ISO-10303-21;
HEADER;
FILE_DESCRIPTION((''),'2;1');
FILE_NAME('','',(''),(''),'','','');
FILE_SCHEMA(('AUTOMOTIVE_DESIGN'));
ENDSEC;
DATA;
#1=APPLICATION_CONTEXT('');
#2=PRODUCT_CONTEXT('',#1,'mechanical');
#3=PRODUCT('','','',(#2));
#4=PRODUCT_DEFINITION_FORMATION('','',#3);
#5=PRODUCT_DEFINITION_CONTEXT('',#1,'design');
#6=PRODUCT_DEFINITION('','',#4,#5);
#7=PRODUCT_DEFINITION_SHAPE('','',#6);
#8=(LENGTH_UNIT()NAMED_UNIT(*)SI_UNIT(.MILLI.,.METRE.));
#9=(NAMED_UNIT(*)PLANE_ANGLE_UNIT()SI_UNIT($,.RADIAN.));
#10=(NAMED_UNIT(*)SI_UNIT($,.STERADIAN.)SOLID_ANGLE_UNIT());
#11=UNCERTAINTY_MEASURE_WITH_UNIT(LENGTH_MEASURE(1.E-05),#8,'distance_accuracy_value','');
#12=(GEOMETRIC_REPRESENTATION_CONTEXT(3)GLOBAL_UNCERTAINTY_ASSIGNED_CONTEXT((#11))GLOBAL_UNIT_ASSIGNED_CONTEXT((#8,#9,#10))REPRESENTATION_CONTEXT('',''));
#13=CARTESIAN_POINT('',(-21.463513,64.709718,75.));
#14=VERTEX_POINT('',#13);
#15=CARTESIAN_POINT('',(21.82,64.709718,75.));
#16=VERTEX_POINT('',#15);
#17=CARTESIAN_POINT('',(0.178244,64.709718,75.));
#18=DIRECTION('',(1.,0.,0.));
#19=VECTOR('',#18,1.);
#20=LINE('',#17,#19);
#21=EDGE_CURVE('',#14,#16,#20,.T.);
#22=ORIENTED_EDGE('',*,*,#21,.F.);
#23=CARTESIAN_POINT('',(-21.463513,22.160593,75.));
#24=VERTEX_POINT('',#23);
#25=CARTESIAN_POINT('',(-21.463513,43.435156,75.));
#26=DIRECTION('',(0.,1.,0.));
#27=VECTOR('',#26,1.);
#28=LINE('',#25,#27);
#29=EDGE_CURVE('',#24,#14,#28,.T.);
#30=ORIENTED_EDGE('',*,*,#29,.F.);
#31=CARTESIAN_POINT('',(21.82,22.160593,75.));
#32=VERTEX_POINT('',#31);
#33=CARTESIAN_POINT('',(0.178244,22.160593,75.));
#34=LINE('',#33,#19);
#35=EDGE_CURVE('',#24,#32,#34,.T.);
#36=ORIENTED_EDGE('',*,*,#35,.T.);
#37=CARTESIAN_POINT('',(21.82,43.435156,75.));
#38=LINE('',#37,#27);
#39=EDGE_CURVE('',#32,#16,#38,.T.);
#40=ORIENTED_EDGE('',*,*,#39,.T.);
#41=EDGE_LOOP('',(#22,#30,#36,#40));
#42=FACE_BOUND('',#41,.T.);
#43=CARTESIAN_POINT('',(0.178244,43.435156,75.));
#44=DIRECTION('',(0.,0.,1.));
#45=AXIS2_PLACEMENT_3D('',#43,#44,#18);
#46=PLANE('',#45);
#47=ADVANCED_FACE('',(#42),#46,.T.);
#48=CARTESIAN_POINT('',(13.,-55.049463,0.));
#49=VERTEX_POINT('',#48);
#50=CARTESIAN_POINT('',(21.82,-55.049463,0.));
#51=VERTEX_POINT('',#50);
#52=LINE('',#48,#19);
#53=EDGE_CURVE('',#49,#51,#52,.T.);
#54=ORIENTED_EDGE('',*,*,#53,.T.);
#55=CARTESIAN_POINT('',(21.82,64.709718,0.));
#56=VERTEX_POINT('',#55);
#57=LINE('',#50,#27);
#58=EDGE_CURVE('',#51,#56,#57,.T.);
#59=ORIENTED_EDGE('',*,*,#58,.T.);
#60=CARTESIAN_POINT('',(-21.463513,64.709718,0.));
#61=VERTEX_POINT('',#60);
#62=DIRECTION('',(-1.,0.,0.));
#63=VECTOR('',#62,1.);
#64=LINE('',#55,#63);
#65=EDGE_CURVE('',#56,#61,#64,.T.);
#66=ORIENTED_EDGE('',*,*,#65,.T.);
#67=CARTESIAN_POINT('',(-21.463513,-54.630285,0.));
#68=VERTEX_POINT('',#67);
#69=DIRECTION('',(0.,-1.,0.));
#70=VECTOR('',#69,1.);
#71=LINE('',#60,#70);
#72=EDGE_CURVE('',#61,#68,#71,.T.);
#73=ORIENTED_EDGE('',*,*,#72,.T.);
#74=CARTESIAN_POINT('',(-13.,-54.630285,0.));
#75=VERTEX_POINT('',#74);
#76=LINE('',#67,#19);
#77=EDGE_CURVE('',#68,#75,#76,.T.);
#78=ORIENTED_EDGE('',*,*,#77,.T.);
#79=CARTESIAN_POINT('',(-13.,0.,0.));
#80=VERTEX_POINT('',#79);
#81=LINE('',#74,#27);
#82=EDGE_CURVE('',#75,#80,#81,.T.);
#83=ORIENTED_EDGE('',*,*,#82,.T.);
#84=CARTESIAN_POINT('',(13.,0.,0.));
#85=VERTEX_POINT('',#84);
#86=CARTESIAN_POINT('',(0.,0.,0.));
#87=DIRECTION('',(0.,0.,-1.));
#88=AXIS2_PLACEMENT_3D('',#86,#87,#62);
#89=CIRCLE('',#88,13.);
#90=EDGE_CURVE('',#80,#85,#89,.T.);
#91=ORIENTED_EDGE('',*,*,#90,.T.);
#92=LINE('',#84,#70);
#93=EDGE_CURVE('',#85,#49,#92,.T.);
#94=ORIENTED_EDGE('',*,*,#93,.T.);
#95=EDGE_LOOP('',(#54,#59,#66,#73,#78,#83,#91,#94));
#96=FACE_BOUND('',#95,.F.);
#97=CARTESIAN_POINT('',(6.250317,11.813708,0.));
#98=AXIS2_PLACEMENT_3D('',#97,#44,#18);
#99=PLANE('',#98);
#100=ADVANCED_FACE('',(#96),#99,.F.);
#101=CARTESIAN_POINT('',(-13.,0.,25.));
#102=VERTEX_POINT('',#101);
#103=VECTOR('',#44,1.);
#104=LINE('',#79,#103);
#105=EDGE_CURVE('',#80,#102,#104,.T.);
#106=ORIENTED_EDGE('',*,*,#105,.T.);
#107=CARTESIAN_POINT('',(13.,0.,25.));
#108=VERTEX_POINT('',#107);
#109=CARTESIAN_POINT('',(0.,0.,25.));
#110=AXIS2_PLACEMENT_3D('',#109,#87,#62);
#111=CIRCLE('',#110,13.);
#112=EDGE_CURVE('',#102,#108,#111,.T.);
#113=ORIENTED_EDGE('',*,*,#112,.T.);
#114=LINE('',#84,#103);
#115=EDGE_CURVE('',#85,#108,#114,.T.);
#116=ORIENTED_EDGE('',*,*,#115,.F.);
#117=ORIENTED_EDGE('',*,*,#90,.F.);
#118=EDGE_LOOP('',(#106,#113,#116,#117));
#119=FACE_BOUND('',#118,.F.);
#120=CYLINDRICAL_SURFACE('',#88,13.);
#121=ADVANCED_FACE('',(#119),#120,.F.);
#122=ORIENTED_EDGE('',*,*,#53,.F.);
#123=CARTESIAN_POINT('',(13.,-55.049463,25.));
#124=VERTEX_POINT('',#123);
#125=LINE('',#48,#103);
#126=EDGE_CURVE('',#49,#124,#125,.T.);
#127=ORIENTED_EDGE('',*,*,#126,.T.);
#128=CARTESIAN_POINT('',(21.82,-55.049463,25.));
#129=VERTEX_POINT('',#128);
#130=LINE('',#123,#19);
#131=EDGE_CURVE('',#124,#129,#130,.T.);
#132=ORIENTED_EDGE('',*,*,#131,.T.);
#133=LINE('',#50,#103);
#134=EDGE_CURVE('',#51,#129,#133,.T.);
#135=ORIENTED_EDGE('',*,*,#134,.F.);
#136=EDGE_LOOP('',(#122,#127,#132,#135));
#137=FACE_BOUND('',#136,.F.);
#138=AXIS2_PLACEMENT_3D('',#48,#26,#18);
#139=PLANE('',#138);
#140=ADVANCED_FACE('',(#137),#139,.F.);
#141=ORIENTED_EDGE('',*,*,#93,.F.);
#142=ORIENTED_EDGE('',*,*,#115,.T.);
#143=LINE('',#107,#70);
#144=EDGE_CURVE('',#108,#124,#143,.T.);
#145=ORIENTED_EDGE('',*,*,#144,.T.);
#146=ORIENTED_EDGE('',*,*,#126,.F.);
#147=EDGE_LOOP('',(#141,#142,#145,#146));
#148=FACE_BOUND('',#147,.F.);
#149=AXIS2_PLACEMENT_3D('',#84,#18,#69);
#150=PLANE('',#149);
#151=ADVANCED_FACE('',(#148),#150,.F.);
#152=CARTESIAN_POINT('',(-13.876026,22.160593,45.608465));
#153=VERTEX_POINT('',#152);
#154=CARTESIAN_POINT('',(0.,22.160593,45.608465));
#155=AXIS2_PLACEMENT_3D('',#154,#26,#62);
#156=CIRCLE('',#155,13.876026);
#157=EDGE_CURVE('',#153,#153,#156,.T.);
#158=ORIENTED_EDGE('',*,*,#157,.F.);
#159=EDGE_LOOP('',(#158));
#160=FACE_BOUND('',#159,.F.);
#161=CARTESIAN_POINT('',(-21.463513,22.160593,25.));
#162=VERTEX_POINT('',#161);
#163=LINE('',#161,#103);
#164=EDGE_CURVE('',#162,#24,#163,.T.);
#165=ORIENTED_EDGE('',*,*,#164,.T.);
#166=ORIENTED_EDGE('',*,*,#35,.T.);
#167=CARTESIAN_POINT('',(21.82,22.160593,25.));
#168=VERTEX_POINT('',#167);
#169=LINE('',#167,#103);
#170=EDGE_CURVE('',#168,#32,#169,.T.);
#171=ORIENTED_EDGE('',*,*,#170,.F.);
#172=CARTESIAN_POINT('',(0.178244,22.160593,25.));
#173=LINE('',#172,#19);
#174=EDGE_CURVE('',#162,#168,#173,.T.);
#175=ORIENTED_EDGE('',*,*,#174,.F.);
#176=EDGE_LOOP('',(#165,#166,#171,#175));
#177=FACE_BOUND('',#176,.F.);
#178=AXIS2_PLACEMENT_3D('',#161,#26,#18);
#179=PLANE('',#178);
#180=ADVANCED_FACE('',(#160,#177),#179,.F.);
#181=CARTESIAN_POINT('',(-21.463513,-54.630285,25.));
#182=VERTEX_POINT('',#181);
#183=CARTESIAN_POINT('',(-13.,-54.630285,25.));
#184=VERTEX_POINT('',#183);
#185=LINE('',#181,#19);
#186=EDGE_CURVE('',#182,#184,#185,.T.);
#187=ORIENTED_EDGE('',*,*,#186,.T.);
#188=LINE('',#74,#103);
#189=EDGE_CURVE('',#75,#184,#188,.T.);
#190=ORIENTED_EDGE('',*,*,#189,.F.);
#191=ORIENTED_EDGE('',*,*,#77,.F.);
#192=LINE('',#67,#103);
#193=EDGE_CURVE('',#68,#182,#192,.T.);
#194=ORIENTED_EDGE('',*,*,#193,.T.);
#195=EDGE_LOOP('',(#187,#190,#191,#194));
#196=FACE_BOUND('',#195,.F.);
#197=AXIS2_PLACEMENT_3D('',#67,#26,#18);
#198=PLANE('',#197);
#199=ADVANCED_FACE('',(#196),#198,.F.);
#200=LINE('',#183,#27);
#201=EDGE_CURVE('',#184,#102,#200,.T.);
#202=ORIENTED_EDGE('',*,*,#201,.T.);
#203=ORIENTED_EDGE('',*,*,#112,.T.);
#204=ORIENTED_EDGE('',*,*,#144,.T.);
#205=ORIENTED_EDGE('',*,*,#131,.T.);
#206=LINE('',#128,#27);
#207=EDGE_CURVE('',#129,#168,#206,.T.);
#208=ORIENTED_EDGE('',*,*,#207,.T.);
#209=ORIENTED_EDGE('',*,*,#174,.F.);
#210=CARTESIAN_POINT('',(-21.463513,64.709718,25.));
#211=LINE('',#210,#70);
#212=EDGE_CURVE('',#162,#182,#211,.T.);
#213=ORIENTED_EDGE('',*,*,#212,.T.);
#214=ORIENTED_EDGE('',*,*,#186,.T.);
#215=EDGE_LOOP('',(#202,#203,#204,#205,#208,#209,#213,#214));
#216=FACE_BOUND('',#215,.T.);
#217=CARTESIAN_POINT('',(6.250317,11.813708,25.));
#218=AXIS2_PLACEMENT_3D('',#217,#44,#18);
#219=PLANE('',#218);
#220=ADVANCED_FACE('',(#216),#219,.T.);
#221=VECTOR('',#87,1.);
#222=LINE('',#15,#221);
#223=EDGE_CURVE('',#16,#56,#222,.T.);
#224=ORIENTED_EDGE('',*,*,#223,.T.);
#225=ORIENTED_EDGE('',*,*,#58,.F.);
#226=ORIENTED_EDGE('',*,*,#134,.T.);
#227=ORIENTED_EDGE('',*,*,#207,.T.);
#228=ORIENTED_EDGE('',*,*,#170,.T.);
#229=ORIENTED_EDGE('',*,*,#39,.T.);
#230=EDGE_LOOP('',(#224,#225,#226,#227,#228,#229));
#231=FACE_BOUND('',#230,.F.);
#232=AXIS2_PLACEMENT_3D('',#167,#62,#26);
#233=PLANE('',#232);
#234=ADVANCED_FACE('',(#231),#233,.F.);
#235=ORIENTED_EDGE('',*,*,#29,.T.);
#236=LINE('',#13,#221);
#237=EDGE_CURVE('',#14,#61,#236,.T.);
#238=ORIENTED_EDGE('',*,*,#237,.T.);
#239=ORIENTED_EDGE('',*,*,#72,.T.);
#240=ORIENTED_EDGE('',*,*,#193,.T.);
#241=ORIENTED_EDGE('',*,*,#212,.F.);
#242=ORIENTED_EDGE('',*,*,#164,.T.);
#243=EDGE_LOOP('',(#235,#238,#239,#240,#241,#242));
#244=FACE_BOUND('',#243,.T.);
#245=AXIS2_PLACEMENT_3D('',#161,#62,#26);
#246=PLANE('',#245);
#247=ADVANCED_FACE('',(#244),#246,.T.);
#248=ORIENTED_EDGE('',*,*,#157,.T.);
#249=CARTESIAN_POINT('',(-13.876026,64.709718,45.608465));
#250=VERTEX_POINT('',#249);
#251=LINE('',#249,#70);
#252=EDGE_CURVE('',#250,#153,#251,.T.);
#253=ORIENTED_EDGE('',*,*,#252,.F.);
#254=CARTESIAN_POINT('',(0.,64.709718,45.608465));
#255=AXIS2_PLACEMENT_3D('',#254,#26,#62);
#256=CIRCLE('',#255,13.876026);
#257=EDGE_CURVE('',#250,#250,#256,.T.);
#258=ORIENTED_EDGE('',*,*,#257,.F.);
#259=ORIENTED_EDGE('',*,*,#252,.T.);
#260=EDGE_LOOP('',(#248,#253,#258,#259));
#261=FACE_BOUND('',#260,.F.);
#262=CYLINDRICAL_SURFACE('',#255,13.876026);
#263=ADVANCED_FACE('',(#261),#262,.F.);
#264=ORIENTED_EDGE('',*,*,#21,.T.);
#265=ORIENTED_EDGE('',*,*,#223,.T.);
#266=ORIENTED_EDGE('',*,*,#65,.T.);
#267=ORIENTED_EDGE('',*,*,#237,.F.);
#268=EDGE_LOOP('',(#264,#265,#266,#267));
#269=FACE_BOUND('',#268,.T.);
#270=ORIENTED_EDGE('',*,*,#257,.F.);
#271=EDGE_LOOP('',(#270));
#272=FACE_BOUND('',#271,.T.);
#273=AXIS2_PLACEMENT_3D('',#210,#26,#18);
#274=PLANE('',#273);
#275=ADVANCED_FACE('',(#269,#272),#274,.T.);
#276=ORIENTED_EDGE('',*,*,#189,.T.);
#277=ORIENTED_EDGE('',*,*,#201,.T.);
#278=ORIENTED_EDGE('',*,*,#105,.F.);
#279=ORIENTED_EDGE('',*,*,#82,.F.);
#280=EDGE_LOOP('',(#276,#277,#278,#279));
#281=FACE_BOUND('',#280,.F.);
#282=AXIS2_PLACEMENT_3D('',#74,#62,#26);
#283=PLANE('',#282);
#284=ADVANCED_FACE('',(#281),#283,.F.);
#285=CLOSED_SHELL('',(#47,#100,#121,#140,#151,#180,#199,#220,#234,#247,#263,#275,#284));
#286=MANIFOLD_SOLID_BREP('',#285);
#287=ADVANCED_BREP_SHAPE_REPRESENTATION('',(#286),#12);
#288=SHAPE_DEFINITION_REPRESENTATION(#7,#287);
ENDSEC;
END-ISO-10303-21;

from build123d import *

# Parameters (mm, degrees)
F1_DEPTH = 25
F2_W     = 43.2835130529
F2_H     = 42.5491245473
F3_DEPTH = 50
F4_R     = 13.8760258661
F5_DEPTH = 119.7601809589


with BuildPart() as f1:
    # F0 (on Top) → F1 (new body)
    with BuildSketch(Plane.XY):
        with BuildLine():
            ThreePointArc((21.4635129483, 0), (19.2315893312, -9.5303913811), (13, -17.0787115463))
            Line((13, -17.0787115463), (13, -55.0494629913))
            Line((13, -55.0494629913), (21.8200001046, -55.0494629913))
            Line((21.8200001046, -55.0494629913), (21.8200001046, 0))
            Line((21.8200001046, 0), (21.8200001046, 64.7097179676))
            Line((21.8200001046, 64.7097179676), (-21.4635129483, 64.7097179676))
            Line((-21.4635129483, 64.7097179676), (-21.4635129483, 0))
            ThreePointArc((-21.4635129483, 0), (0, 21.4635129483), (21.4635129483, 0))
        make_face()
        with BuildLine():
            Line((-13, -54.6302845692), (-13, -17.0787115463))
            ThreePointArc((-13, -17.0787115463), (-19.2315893312, -9.5303913811), (-21.4635129483, 0))
            Line((-21.4635129483, 0), (-21.4635129483, -54.6302845692))
            Line((-21.4635129483, -54.6302845692), (-13, -54.6302845692))
        make_face()
        with BuildLine():
            ThreePointArc((-13, 0), (0, 13), (13, 0))
            Line((13, 0), (13, -17.0787115463))
            ThreePointArc((13, -17.0787115463), (19.2315893312, -9.5303913811), (21.4635129483, 0))
            ThreePointArc((21.4635129483, 0), (0, 21.4635129483), (-21.4635129483, 0))
            ThreePointArc((-21.4635129483, 0), (-19.2315893312, -9.5303913811), (-13, -17.0787115463))
            Line((-13, -17.0787115463), (-13, 0))
        make_face()
    extrude(amount=F1_DEPTH)

    # F2 (on face) → F3 (join)
    with BuildSketch(Plane.XY.offset(25)):
        with Locations((0.1782435782, 43.4351556939)):
            Rectangle(F2_W, F2_H)
    extrude(amount=F3_DEPTH)

    # F4 (on face) → F5 (cut, through all)
    with BuildSketch(Plane(origin=(0, 64.7097179676, 0), x_dir=(-1, 0, 0), z_dir=(0, 1, 0))):
        with Locations((0, 45.6084646285)):
            Circle(F4_R)
    extrude(amount=-F5_DEPTH, mode=Mode.SUBTRACT)


solid = f1.part
